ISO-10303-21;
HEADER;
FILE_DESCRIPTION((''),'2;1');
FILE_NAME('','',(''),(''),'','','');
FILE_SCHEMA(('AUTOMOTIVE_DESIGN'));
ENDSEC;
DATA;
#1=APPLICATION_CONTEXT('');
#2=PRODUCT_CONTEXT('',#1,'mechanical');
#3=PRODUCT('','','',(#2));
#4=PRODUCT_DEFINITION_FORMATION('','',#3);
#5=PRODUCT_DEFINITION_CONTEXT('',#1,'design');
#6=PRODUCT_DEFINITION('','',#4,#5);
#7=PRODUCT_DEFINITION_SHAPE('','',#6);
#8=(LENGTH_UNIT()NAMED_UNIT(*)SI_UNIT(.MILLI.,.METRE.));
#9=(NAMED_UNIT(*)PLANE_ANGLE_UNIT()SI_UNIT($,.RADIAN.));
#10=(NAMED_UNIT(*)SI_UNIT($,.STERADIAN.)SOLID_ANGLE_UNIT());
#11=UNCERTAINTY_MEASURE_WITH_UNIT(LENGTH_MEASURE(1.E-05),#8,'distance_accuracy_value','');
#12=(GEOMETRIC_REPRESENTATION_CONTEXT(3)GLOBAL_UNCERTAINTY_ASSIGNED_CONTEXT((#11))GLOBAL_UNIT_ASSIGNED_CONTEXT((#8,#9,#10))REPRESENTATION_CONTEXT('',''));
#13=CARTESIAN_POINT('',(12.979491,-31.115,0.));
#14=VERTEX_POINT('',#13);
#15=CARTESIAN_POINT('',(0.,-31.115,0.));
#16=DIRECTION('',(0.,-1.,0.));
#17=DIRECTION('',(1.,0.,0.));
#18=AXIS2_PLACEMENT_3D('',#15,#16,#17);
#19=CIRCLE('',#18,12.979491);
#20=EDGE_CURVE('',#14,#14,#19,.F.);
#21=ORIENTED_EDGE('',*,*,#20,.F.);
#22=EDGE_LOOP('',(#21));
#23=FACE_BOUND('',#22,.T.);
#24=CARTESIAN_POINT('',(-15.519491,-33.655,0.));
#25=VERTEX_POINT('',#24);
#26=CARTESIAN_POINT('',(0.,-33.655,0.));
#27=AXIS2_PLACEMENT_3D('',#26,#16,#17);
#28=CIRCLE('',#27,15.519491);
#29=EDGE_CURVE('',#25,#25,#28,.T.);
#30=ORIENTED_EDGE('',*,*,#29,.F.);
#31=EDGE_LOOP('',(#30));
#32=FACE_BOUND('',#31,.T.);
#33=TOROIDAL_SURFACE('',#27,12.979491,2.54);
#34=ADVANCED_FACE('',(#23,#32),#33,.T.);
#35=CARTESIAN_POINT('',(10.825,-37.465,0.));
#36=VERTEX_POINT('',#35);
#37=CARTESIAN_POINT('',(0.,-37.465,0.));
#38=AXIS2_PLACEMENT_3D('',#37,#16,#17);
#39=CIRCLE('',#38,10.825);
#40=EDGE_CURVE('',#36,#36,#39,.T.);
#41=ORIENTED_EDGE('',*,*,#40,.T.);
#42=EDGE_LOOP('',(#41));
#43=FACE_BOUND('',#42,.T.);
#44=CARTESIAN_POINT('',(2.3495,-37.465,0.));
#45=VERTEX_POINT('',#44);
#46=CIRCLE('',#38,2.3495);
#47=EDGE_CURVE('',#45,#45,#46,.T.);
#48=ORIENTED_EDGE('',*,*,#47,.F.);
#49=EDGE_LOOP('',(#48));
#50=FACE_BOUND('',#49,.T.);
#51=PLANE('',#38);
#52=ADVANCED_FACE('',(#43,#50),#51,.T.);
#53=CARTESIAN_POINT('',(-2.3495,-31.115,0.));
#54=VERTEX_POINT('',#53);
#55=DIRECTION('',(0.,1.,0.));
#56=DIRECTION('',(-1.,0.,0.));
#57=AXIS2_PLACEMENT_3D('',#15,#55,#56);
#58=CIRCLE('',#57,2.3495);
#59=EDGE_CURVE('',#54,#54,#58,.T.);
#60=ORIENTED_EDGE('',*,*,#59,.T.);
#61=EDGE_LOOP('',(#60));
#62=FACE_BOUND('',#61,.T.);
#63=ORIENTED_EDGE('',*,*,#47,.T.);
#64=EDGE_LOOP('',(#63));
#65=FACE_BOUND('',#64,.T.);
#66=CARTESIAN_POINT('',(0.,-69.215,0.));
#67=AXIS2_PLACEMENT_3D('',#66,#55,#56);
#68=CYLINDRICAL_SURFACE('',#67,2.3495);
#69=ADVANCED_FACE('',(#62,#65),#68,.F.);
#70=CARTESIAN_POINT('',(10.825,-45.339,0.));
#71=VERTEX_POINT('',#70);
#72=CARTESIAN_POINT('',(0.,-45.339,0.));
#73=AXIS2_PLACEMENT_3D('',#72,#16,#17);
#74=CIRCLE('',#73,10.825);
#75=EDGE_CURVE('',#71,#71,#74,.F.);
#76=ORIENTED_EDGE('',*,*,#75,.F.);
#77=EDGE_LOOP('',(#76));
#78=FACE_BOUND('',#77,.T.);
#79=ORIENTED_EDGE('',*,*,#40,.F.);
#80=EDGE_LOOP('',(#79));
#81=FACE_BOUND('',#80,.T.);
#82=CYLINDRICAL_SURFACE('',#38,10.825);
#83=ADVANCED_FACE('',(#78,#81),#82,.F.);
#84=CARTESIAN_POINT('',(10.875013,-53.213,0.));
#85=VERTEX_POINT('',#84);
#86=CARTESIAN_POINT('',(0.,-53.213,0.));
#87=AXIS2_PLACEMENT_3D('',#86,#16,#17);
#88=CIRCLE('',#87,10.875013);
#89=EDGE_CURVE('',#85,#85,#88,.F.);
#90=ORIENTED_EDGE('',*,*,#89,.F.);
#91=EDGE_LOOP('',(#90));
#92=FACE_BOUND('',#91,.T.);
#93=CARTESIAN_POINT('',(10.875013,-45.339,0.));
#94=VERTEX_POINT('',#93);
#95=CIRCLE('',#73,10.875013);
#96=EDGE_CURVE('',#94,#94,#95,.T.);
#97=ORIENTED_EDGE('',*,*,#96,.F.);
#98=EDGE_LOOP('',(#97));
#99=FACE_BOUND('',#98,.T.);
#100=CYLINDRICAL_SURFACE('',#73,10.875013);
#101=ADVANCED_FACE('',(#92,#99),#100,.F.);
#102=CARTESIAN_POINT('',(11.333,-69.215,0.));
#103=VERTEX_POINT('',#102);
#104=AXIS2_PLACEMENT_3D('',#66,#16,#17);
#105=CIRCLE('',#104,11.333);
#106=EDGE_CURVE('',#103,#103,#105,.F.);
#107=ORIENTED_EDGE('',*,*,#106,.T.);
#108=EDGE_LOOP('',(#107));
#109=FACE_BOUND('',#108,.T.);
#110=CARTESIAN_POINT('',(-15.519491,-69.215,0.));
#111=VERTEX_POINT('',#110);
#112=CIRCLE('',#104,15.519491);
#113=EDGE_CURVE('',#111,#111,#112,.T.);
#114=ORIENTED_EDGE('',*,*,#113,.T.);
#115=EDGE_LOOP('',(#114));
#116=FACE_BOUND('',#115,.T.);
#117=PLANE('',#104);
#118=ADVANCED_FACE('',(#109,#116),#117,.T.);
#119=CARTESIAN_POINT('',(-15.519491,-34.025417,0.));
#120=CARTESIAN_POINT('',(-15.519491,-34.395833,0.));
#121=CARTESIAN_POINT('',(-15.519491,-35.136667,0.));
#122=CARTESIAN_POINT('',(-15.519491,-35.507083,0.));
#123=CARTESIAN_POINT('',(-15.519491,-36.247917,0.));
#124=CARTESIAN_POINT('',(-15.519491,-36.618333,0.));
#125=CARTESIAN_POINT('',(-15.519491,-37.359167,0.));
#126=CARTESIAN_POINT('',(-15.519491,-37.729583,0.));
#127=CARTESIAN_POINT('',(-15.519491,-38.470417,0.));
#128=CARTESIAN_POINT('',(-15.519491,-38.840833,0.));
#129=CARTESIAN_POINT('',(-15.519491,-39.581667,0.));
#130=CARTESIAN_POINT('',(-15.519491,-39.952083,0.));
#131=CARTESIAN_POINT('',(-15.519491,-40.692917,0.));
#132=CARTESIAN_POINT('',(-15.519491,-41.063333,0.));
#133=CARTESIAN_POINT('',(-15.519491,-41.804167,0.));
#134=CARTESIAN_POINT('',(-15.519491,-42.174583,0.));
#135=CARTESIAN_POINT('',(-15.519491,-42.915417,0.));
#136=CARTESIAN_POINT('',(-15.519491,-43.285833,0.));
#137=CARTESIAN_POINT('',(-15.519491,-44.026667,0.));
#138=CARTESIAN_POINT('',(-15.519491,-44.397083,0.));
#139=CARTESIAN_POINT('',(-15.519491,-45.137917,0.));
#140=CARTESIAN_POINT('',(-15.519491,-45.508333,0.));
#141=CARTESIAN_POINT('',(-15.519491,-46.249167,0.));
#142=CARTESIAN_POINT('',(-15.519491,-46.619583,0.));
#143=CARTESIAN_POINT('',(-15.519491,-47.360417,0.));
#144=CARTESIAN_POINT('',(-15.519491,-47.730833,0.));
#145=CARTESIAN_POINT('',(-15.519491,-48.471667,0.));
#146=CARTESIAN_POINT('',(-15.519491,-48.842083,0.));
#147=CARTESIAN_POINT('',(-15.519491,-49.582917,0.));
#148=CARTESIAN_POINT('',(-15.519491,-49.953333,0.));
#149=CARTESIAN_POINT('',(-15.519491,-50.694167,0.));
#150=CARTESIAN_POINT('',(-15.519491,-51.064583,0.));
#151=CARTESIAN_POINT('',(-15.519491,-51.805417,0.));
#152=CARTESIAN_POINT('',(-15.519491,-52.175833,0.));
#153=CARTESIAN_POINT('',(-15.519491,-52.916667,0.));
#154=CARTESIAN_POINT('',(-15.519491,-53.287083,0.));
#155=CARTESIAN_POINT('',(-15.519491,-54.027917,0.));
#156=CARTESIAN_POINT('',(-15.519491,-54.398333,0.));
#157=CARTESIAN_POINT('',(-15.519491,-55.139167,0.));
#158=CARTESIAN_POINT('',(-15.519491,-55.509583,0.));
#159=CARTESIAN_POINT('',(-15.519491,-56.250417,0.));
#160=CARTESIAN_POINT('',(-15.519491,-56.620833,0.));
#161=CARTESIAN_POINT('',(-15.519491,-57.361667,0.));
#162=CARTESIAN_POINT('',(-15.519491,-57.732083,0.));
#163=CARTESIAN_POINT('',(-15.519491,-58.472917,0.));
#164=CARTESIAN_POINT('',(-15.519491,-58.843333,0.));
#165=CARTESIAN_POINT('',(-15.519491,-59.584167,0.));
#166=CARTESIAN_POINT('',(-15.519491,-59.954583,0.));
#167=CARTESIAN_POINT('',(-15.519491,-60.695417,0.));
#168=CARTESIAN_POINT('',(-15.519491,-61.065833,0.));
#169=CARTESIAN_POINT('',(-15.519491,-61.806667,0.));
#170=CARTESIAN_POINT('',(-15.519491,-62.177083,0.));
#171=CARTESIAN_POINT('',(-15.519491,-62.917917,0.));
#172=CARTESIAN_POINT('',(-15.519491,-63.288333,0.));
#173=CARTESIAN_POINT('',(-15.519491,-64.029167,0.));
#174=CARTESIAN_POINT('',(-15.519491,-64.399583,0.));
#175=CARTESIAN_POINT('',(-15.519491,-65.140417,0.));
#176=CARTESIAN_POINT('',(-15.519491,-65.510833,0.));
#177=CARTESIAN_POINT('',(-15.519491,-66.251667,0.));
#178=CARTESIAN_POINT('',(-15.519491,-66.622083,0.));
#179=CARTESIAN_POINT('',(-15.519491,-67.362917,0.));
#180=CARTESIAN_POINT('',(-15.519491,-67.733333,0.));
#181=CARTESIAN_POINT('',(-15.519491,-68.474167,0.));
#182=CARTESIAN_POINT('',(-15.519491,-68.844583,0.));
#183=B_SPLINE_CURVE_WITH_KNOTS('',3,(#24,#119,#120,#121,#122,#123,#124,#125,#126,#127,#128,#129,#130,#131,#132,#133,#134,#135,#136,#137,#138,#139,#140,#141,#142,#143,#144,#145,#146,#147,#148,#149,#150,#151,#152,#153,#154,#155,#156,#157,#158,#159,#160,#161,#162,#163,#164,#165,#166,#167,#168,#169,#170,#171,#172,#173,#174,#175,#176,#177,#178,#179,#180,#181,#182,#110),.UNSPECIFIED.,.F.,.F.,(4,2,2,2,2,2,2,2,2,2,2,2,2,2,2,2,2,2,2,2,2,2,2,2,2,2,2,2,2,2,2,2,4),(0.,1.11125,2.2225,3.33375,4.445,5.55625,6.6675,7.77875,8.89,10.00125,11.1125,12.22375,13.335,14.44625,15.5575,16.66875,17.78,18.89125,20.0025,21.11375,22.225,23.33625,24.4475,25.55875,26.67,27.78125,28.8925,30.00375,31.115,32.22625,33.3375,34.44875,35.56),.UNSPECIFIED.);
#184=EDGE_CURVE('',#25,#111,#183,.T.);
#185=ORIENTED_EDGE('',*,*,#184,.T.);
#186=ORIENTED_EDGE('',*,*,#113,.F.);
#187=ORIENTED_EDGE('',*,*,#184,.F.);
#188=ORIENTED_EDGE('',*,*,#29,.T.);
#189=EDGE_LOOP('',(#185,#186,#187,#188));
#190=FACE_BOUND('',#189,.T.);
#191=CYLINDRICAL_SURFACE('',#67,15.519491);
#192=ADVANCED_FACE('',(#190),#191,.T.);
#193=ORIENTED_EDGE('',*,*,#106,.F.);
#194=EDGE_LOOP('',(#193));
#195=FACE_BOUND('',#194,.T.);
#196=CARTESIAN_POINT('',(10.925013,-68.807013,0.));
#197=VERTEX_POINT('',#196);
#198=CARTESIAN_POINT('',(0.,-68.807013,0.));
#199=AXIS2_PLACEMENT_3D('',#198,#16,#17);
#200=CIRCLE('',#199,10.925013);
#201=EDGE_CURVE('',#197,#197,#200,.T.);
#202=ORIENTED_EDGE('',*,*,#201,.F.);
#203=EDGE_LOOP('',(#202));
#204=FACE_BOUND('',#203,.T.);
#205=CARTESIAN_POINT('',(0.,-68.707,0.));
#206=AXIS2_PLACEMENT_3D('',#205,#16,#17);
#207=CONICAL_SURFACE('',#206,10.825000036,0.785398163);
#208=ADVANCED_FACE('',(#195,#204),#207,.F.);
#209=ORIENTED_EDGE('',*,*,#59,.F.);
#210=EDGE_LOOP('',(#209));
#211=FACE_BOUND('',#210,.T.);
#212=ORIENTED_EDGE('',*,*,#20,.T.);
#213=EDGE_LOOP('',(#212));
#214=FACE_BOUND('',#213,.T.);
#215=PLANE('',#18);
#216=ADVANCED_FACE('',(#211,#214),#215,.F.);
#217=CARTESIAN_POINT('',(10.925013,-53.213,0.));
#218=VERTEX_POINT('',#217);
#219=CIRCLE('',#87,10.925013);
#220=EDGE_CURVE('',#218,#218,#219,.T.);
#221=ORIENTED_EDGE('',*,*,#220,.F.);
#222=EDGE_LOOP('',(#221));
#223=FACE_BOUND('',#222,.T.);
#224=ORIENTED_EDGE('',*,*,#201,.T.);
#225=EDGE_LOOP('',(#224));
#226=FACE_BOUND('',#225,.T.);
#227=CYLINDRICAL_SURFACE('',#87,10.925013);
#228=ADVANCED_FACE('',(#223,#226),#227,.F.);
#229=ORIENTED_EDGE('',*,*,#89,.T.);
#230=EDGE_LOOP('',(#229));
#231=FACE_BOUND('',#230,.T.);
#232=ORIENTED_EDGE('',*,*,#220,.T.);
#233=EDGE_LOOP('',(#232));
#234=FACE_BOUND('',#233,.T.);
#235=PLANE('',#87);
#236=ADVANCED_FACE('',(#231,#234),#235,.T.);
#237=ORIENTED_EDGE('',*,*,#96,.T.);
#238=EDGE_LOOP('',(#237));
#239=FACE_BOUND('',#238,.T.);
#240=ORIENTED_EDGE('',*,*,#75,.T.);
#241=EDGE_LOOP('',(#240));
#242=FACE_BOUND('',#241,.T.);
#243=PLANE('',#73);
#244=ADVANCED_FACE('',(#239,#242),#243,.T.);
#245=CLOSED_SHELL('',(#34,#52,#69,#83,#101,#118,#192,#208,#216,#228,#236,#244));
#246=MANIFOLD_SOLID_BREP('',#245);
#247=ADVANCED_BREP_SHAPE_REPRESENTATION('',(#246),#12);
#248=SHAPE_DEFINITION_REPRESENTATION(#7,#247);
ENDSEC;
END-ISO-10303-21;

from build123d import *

# Parameters (mm, degrees)
BOSS_EXTRUDE1_DEPTH      = 8.509
BOSS_EXTRUDE1_DEPTH_BACK = 8.509
SKETCH3_R                = 15.519490552
BOSS_EXTRUDE2_DEPTH      = 38.1
SKETCH4_R                = 10.825000036
CUT_EXTRUDE1_DEPTH       = 31.75
CUT_EXTRUDE2_DEPTH       = 73.611468784
CUT_EXTRUDE2_DEPTH_BACK  = 73.611468784
SKETCH5_W                = 9.906
SKETCH5_H                = 56.435801088
SKETCH6_R                = 5.08
CUT_EXTRUDE3_DEPTH       = 75.892851262
CHAMFER1_SIZE            = 0.254
CHAMFER2_SIZE            = 0.508
FILLET1_R                = 1.27
FILLET2_R                = 1.27
SKETCH11_R               = 15.519490552
CUT_EXTRUDE4_DEPTH       = 45.520887291
FILLET4_R                = 2.54
SKETCH12_R               = 2.3495
CUT_EXTRUDE5_DEPTH       = 44.969525515
CUT_EXTRUDE6_START       = 31.75
SKETCH13_R               = 10.875012636
CUT_EXTRUDE6_DEPTH       = 23.876
CUT_EXTRUDE7_START       = 23.876
SKETCH14_R               = 10.925012636
CUT_EXTRUDE7_DEPTH       = 16.002


with BuildPart() as part:
    # Sketch2 → Boss-Extrude1 (new, two sides: drawn at the far end of the back side and taken through both)
    with BuildSketch(Plane.XY.offset(-BOSS_EXTRUDE1_DEPTH_BACK)):
        with BuildLine():
            Line((11.43, -31.115), (7.565118148, 0.912900544))
            ThreePointArc((7.565118148, 0.912900544), (0, 7.62), (-7.565118148, 0.912900544))
            Line((-7.565118148, 0.912900544), (-11.43, -31.115))
            Line((-11.43, -31.115), (11.43, -31.115))
        make_face()
    extrude(amount=BOSS_EXTRUDE1_DEPTH + BOSS_EXTRUDE1_DEPTH_BACK)

    # Sketch3 → Boss-Extrude2 (add)
    with BuildSketch(Plane.XZ.offset(31.115)):
        with Locations(Location((0, 0, 0), (0, 0, 180))):
            Circle(SKETCH3_R)
    extrude(amount=BOSS_EXTRUDE2_DEPTH)

    # Sketch4 → Cut-Extrude1 (cut)
    with BuildSketch(Plane.XZ.offset(69.215)):
        Circle(SKETCH4_R)
    extrude(amount=-CUT_EXTRUDE1_DEPTH, mode=Mode.SUBTRACT)

    # Sketch5 → Cut-Extrude2 (cut, two sides: drawn at the far end of the back side and taken through both)
    with BuildSketch(Plane(origin=(0, 0, 0), x_dir=(0, 0, -1), z_dir=(1, 0, 0)).offset(-CUT_EXTRUDE2_DEPTH_BACK)):
        with Locations((0, 0.912900544)):
            Rectangle(SKETCH5_W, SKETCH5_H)
    extrude(amount=CUT_EXTRUDE2_DEPTH + CUT_EXTRUDE2_DEPTH_BACK, mode=Mode.SUBTRACT)

    # Sketch6 → Cut-Extrude3 (cut, through all)
    with BuildSketch(Plane(origin=(0, 0, -8.509), x_dir=(-1, 0, 0), z_dir=(0, 0, -1))):
        with Locations(Location((0, 0, 0), (0, 0, 180))):
            Circle(SKETCH6_R)
    extrude(amount=-CUT_EXTRUDE3_DEPTH, mode=Mode.SUBTRACT)

    # Chamfer1
    chamfer1_edges = [part.edges().sort_by_distance(p)[0] for p in [
        (-5.08, 0, 8.509),
        (-5.08, 0, -4.953),
        (-5.08, 0, 4.953),
        (-5.08, 0, -8.509),
    ]]
    chamfer(chamfer1_edges, length=CHAMFER1_SIZE)

    # Chamfer2
    chamfer2_edges = [part.edges().sort_by_distance(p)[0] for p in [
        (-10.825000036, -69.215, 0),
    ]]
    chamfer(chamfer2_edges, length=CHAMFER2_SIZE)

    # Fillet1
    fillet1_edges = [part.edges().sort_by_distance(p)[0] for p in [
        (-9.497559074, -15.101049728, -8.509),
        (9.497559074, -15.101049728, -8.509),
        (0, 7.62, -8.509),
        (-9.497559074, -15.101049728, 8.509),
        (9.497559074, -15.101049728, 8.509),
        (0, 7.62, 8.509),
    ]]
    fillet(fillet1_edges, radius=FILLET1_R)

    # Fillet2
    fillet2_edges = [part.edges().sort_by_distance(p)[0] for p in [
        (11.43, -31.115, 0),
        (-11.43, -31.115, 0),
        (11.053691049, -31.115, -8.138646936),
        (11.053691049, -31.115, 8.138646936),
        (-11.053691049, -31.115, -8.138646936),
        (-11.053691049, -31.115, 8.138646936),
        (0, -31.115, -8.509),
        (0, -31.115, 8.509),
    ]]
    fillet(fillet2_edges, radius=FILLET2_R)

    # Sketch11 → Cut-Extrude4 (cut, through all)
    with BuildSketch(Plane(origin=(0, -31.115, 0), x_dir=(1, 0, 0), z_dir=(0, 1, 0))):
        with Locations(Location((0, 0, 0), (0, 0, 180))):
            Circle(SKETCH11_R)
    extrude(amount=CUT_EXTRUDE4_DEPTH, mode=Mode.SUBTRACT)

    # Fillet4
    fillet4_edges = [part.edges().sort_by_distance(p)[0] for p in [
        (15.519490552, -31.115, 0),
    ]]
    fillet(fillet4_edges, radius=FILLET4_R)

    # Sketch12 → Cut-Extrude5 (cut, through all)
    with BuildSketch(Plane(origin=(0, -31.115, 0), x_dir=(1, 0, 0), z_dir=(0, 1, 0))):
        with Locations(Location((0, 0, 0), (0, 0, 180))):
            Circle(SKETCH12_R)
    extrude(amount=-CUT_EXTRUDE5_DEPTH, mode=Mode.SUBTRACT)

    # Sketch13 → Cut-Extrude6 (cut)
    with BuildSketch(Plane.XZ.offset(37.465).offset(CUT_EXTRUDE6_START)):
        Circle(SKETCH13_R)
    extrude(amount=-CUT_EXTRUDE6_DEPTH, mode=Mode.SUBTRACT)

    # Sketch14 → Cut-Extrude7 (cut)
    with BuildSketch(Plane.XZ.offset(45.339).offset(CUT_EXTRUDE7_START)):
        Circle(SKETCH14_R)
    extrude(amount=-CUT_EXTRUDE7_DEPTH, mode=Mode.SUBTRACT)


solid = part.part
